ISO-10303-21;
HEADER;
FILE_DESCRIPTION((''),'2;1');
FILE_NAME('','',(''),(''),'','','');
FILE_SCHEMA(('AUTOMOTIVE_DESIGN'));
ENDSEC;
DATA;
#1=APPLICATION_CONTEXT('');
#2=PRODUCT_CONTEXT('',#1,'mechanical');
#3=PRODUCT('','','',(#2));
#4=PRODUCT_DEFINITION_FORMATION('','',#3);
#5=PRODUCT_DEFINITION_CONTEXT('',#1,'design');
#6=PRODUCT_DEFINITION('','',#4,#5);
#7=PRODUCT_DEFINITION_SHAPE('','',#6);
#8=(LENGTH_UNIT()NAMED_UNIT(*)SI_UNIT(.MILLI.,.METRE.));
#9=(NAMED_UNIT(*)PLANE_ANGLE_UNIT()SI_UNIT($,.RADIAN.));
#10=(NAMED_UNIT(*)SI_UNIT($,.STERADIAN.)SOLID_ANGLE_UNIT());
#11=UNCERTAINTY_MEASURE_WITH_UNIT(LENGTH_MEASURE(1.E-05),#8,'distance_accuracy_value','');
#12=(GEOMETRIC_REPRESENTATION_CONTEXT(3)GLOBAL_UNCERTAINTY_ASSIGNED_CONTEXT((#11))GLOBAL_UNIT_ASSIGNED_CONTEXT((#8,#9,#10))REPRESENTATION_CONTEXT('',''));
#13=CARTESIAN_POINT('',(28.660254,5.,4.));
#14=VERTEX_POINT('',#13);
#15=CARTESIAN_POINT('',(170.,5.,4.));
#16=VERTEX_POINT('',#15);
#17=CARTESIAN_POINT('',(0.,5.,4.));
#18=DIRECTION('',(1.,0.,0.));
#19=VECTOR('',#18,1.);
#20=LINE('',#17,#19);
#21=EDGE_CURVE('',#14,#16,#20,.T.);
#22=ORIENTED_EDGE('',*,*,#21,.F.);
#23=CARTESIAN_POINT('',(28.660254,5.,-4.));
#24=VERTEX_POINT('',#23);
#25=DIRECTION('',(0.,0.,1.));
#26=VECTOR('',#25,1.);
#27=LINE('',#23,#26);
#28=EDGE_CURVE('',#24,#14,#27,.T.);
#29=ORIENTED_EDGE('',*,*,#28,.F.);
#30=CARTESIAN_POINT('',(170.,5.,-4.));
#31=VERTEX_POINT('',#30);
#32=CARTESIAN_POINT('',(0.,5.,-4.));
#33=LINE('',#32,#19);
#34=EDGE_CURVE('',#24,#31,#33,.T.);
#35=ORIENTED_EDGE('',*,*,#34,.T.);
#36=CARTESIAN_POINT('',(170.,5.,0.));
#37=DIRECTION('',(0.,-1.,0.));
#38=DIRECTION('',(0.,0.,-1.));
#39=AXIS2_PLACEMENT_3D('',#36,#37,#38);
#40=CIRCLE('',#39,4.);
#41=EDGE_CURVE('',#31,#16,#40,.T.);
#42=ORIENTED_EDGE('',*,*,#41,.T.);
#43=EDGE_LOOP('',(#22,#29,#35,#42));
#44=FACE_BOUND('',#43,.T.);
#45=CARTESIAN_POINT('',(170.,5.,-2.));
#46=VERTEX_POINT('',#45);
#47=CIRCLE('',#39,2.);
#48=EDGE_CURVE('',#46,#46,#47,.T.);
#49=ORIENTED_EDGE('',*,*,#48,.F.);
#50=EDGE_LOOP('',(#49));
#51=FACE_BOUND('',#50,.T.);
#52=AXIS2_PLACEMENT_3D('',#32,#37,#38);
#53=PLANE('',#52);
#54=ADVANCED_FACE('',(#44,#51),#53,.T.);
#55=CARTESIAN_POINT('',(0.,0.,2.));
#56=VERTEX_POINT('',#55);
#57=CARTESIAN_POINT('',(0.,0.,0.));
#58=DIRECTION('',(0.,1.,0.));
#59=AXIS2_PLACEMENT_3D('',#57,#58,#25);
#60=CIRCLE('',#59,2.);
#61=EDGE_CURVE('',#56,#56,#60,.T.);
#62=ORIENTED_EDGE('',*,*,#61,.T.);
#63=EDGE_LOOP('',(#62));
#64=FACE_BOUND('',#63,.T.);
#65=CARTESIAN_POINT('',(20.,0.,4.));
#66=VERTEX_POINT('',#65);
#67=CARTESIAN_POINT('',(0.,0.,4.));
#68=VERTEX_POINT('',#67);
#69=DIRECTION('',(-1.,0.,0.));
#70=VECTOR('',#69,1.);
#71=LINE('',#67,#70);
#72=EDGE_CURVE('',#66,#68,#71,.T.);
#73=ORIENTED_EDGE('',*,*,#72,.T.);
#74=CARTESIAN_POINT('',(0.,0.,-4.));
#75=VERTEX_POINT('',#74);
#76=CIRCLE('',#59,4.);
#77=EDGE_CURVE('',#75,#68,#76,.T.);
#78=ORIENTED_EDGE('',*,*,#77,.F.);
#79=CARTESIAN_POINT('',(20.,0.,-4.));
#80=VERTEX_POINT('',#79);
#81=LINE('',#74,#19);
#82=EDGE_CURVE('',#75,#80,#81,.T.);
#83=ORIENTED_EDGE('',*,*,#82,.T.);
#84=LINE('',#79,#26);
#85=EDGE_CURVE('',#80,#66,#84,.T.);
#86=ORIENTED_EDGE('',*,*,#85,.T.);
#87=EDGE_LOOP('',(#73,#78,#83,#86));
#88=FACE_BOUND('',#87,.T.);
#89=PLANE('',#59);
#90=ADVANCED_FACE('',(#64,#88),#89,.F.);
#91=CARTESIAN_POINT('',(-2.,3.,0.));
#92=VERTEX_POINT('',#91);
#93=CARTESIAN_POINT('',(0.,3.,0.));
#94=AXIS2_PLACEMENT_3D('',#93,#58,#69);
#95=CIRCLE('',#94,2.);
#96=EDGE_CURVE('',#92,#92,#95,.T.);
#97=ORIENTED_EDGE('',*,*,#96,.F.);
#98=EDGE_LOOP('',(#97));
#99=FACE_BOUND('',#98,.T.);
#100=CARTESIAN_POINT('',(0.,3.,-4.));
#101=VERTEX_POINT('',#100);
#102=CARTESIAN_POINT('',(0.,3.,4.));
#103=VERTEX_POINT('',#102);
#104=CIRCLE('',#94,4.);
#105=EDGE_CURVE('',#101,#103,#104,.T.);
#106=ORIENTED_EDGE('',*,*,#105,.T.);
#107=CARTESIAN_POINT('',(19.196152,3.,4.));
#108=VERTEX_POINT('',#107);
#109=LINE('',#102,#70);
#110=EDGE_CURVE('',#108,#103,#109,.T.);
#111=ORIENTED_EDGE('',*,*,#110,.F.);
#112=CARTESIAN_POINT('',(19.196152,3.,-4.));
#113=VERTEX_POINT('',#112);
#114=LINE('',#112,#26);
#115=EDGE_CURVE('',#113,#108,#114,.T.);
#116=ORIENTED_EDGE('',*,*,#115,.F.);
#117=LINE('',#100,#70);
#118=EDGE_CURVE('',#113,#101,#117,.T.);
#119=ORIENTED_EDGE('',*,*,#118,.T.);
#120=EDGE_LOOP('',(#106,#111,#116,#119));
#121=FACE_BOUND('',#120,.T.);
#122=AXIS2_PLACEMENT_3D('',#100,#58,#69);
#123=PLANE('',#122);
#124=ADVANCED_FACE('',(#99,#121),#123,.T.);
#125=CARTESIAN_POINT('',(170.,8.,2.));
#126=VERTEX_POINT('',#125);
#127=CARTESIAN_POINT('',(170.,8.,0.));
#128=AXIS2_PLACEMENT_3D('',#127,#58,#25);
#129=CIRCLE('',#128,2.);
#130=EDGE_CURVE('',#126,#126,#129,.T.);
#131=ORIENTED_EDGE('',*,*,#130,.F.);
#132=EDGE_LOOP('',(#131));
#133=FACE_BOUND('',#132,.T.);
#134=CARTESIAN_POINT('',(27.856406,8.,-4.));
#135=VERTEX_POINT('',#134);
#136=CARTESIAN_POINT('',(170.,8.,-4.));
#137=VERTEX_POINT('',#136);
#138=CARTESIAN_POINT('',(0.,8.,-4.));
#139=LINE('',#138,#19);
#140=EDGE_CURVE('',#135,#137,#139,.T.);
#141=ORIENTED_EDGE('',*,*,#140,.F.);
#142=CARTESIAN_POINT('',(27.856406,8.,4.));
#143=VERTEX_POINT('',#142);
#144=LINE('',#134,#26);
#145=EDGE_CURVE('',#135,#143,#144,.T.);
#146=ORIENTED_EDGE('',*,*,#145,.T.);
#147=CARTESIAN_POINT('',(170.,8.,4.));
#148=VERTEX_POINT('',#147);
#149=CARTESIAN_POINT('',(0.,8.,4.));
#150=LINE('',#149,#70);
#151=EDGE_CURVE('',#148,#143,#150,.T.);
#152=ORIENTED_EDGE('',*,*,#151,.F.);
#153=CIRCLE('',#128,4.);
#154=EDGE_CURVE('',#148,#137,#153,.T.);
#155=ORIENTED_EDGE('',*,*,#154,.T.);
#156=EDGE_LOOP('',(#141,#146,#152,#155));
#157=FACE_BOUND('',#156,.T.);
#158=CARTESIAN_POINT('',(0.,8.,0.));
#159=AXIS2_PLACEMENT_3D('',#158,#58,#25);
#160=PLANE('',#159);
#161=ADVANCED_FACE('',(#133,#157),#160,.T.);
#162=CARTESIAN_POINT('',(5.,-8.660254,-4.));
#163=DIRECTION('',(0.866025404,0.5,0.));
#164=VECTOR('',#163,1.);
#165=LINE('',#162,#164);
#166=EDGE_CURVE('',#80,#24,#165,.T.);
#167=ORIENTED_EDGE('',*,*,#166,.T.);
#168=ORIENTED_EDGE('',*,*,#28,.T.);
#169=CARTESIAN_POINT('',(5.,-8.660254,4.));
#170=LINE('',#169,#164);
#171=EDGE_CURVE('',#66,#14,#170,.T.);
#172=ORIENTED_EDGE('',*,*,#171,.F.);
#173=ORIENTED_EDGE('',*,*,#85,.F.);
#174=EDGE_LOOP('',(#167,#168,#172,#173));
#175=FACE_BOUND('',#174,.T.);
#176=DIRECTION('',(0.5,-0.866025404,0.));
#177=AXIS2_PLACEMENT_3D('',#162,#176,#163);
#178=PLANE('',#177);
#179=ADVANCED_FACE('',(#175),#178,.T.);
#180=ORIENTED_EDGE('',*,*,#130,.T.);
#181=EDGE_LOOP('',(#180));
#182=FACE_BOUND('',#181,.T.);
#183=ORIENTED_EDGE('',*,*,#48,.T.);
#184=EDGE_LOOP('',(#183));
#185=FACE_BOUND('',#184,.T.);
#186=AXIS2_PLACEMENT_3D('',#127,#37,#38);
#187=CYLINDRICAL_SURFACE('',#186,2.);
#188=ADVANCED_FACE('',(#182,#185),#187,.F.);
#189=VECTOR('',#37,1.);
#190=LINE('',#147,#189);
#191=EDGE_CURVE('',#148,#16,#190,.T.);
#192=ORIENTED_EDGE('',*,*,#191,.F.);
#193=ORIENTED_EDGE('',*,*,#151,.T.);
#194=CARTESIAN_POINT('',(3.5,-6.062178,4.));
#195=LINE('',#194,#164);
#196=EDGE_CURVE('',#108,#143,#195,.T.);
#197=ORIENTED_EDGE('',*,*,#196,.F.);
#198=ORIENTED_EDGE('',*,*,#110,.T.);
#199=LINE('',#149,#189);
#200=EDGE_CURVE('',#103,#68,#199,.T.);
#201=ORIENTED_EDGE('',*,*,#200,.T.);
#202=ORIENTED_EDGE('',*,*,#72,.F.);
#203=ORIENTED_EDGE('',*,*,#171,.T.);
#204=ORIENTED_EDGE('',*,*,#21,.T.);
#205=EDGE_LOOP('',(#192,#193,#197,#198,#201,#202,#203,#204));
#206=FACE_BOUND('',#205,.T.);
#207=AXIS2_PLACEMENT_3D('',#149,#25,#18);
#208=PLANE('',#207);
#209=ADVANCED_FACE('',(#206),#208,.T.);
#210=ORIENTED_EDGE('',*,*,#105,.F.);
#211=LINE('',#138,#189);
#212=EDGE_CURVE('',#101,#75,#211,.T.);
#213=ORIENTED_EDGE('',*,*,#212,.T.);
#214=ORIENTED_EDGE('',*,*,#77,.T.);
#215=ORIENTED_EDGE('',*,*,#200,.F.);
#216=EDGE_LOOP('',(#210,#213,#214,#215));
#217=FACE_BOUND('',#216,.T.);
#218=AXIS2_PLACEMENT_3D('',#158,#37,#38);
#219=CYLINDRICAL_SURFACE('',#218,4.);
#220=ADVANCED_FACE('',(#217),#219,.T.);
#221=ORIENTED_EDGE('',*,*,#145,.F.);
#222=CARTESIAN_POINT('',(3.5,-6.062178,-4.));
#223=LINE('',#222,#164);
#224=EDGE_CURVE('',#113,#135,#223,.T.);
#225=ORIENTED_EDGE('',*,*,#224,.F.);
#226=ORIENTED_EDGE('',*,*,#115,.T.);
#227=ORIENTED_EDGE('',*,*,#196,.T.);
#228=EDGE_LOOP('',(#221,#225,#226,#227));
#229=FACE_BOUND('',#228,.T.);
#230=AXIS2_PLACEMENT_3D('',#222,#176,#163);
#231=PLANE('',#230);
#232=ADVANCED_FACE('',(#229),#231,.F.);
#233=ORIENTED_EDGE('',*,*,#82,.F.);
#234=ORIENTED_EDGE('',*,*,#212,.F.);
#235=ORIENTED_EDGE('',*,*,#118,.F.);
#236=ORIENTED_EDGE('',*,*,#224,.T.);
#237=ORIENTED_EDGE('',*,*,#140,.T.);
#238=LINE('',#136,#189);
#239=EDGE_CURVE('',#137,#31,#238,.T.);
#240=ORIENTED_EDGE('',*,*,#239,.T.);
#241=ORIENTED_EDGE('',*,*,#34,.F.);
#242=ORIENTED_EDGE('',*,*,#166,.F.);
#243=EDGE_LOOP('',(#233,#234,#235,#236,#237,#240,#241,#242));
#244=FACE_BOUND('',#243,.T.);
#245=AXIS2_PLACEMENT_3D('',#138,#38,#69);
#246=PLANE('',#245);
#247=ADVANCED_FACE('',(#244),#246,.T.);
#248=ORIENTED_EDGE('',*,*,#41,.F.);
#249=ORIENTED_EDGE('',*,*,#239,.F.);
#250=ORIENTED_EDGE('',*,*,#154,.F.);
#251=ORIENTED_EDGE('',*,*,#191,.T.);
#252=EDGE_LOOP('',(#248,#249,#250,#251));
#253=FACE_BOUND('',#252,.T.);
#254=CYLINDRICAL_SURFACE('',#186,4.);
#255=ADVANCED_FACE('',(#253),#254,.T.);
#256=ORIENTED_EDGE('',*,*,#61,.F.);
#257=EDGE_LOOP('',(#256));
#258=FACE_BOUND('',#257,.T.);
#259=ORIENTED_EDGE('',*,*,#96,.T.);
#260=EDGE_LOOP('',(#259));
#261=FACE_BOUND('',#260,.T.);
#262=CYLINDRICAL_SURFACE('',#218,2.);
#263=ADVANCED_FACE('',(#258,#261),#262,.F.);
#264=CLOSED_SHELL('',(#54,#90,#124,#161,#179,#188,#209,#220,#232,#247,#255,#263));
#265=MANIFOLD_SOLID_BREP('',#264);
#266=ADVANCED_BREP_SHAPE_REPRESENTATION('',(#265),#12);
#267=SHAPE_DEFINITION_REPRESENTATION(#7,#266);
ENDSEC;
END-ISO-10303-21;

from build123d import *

# Parameters (mm, degrees)
SKETCH1_R           = 2
BOSS_EXTRUDE1_DEPTH = 8
SKETCH2_W           = 4
SKETCH2_H           = 2
SKETCH2_H_2         = 3
CUT_EXTRUDE1_DEPTH  = 8


with BuildPart() as part:
    # Sketch1 → Boss-Extrude1 (new body)
    with BuildSketch(Plane(origin=(0, 0, 0), x_dir=(1, 0, 0), z_dir=(0, 1, 0))):
        with BuildLine():
            Line((170, 4), (0, 4))
            ThreePointArc((0, 4), (-4, 0), (0, -4))
            Line((0, -4), (170, -4))
            ThreePointArc((170, -4), (174, 0), (170, 4))
        make_face()
        with Locations(Location((0, 0, 0), (0, 0, 270))):
            Circle(SKETCH1_R, mode=Mode.SUBTRACT)
        with Locations(Location((170, 0, 0), (0, 0, 270))):
            Circle(SKETCH1_R, mode=Mode.SUBTRACT)
    extrude(amount=BOSS_EXTRUDE1_DEPTH)

    # Sketch2 → Cut-Extrude1 (cut)
    with BuildSketch(Plane.XY.offset(4)):
        Polygon((22.660254038, 5), (0, 5), (0, 3), (19.196152423, 3), align=None)
        with Locations((-2, 4)):
            Rectangle(SKETCH2_W, SKETCH2_H)
        with Locations((-2, 6.5)):
            Rectangle(SKETCH2_W, SKETCH2_H_2)
        Polygon((0, 8), (0, 5), (22.660254038, 5), (27.856406461, 8), align=None)
        Polygon((170, 3), (25.196152423, 3), (20, 0), (170, 0), align=None)
        Polygon((170, 5), (28.660254038, 5), (25.196152423, 3), (170, 3), align=None)
        with Locations((172, 4)):
            Rectangle(SKETCH2_W, SKETCH2_H)
        with Locations((172, 1.5)):
            Rectangle(SKETCH2_W, SKETCH2_H_2)
    extrude(amount=-CUT_EXTRUDE1_DEPTH, mode=Mode.SUBTRACT)


solid = part.part
